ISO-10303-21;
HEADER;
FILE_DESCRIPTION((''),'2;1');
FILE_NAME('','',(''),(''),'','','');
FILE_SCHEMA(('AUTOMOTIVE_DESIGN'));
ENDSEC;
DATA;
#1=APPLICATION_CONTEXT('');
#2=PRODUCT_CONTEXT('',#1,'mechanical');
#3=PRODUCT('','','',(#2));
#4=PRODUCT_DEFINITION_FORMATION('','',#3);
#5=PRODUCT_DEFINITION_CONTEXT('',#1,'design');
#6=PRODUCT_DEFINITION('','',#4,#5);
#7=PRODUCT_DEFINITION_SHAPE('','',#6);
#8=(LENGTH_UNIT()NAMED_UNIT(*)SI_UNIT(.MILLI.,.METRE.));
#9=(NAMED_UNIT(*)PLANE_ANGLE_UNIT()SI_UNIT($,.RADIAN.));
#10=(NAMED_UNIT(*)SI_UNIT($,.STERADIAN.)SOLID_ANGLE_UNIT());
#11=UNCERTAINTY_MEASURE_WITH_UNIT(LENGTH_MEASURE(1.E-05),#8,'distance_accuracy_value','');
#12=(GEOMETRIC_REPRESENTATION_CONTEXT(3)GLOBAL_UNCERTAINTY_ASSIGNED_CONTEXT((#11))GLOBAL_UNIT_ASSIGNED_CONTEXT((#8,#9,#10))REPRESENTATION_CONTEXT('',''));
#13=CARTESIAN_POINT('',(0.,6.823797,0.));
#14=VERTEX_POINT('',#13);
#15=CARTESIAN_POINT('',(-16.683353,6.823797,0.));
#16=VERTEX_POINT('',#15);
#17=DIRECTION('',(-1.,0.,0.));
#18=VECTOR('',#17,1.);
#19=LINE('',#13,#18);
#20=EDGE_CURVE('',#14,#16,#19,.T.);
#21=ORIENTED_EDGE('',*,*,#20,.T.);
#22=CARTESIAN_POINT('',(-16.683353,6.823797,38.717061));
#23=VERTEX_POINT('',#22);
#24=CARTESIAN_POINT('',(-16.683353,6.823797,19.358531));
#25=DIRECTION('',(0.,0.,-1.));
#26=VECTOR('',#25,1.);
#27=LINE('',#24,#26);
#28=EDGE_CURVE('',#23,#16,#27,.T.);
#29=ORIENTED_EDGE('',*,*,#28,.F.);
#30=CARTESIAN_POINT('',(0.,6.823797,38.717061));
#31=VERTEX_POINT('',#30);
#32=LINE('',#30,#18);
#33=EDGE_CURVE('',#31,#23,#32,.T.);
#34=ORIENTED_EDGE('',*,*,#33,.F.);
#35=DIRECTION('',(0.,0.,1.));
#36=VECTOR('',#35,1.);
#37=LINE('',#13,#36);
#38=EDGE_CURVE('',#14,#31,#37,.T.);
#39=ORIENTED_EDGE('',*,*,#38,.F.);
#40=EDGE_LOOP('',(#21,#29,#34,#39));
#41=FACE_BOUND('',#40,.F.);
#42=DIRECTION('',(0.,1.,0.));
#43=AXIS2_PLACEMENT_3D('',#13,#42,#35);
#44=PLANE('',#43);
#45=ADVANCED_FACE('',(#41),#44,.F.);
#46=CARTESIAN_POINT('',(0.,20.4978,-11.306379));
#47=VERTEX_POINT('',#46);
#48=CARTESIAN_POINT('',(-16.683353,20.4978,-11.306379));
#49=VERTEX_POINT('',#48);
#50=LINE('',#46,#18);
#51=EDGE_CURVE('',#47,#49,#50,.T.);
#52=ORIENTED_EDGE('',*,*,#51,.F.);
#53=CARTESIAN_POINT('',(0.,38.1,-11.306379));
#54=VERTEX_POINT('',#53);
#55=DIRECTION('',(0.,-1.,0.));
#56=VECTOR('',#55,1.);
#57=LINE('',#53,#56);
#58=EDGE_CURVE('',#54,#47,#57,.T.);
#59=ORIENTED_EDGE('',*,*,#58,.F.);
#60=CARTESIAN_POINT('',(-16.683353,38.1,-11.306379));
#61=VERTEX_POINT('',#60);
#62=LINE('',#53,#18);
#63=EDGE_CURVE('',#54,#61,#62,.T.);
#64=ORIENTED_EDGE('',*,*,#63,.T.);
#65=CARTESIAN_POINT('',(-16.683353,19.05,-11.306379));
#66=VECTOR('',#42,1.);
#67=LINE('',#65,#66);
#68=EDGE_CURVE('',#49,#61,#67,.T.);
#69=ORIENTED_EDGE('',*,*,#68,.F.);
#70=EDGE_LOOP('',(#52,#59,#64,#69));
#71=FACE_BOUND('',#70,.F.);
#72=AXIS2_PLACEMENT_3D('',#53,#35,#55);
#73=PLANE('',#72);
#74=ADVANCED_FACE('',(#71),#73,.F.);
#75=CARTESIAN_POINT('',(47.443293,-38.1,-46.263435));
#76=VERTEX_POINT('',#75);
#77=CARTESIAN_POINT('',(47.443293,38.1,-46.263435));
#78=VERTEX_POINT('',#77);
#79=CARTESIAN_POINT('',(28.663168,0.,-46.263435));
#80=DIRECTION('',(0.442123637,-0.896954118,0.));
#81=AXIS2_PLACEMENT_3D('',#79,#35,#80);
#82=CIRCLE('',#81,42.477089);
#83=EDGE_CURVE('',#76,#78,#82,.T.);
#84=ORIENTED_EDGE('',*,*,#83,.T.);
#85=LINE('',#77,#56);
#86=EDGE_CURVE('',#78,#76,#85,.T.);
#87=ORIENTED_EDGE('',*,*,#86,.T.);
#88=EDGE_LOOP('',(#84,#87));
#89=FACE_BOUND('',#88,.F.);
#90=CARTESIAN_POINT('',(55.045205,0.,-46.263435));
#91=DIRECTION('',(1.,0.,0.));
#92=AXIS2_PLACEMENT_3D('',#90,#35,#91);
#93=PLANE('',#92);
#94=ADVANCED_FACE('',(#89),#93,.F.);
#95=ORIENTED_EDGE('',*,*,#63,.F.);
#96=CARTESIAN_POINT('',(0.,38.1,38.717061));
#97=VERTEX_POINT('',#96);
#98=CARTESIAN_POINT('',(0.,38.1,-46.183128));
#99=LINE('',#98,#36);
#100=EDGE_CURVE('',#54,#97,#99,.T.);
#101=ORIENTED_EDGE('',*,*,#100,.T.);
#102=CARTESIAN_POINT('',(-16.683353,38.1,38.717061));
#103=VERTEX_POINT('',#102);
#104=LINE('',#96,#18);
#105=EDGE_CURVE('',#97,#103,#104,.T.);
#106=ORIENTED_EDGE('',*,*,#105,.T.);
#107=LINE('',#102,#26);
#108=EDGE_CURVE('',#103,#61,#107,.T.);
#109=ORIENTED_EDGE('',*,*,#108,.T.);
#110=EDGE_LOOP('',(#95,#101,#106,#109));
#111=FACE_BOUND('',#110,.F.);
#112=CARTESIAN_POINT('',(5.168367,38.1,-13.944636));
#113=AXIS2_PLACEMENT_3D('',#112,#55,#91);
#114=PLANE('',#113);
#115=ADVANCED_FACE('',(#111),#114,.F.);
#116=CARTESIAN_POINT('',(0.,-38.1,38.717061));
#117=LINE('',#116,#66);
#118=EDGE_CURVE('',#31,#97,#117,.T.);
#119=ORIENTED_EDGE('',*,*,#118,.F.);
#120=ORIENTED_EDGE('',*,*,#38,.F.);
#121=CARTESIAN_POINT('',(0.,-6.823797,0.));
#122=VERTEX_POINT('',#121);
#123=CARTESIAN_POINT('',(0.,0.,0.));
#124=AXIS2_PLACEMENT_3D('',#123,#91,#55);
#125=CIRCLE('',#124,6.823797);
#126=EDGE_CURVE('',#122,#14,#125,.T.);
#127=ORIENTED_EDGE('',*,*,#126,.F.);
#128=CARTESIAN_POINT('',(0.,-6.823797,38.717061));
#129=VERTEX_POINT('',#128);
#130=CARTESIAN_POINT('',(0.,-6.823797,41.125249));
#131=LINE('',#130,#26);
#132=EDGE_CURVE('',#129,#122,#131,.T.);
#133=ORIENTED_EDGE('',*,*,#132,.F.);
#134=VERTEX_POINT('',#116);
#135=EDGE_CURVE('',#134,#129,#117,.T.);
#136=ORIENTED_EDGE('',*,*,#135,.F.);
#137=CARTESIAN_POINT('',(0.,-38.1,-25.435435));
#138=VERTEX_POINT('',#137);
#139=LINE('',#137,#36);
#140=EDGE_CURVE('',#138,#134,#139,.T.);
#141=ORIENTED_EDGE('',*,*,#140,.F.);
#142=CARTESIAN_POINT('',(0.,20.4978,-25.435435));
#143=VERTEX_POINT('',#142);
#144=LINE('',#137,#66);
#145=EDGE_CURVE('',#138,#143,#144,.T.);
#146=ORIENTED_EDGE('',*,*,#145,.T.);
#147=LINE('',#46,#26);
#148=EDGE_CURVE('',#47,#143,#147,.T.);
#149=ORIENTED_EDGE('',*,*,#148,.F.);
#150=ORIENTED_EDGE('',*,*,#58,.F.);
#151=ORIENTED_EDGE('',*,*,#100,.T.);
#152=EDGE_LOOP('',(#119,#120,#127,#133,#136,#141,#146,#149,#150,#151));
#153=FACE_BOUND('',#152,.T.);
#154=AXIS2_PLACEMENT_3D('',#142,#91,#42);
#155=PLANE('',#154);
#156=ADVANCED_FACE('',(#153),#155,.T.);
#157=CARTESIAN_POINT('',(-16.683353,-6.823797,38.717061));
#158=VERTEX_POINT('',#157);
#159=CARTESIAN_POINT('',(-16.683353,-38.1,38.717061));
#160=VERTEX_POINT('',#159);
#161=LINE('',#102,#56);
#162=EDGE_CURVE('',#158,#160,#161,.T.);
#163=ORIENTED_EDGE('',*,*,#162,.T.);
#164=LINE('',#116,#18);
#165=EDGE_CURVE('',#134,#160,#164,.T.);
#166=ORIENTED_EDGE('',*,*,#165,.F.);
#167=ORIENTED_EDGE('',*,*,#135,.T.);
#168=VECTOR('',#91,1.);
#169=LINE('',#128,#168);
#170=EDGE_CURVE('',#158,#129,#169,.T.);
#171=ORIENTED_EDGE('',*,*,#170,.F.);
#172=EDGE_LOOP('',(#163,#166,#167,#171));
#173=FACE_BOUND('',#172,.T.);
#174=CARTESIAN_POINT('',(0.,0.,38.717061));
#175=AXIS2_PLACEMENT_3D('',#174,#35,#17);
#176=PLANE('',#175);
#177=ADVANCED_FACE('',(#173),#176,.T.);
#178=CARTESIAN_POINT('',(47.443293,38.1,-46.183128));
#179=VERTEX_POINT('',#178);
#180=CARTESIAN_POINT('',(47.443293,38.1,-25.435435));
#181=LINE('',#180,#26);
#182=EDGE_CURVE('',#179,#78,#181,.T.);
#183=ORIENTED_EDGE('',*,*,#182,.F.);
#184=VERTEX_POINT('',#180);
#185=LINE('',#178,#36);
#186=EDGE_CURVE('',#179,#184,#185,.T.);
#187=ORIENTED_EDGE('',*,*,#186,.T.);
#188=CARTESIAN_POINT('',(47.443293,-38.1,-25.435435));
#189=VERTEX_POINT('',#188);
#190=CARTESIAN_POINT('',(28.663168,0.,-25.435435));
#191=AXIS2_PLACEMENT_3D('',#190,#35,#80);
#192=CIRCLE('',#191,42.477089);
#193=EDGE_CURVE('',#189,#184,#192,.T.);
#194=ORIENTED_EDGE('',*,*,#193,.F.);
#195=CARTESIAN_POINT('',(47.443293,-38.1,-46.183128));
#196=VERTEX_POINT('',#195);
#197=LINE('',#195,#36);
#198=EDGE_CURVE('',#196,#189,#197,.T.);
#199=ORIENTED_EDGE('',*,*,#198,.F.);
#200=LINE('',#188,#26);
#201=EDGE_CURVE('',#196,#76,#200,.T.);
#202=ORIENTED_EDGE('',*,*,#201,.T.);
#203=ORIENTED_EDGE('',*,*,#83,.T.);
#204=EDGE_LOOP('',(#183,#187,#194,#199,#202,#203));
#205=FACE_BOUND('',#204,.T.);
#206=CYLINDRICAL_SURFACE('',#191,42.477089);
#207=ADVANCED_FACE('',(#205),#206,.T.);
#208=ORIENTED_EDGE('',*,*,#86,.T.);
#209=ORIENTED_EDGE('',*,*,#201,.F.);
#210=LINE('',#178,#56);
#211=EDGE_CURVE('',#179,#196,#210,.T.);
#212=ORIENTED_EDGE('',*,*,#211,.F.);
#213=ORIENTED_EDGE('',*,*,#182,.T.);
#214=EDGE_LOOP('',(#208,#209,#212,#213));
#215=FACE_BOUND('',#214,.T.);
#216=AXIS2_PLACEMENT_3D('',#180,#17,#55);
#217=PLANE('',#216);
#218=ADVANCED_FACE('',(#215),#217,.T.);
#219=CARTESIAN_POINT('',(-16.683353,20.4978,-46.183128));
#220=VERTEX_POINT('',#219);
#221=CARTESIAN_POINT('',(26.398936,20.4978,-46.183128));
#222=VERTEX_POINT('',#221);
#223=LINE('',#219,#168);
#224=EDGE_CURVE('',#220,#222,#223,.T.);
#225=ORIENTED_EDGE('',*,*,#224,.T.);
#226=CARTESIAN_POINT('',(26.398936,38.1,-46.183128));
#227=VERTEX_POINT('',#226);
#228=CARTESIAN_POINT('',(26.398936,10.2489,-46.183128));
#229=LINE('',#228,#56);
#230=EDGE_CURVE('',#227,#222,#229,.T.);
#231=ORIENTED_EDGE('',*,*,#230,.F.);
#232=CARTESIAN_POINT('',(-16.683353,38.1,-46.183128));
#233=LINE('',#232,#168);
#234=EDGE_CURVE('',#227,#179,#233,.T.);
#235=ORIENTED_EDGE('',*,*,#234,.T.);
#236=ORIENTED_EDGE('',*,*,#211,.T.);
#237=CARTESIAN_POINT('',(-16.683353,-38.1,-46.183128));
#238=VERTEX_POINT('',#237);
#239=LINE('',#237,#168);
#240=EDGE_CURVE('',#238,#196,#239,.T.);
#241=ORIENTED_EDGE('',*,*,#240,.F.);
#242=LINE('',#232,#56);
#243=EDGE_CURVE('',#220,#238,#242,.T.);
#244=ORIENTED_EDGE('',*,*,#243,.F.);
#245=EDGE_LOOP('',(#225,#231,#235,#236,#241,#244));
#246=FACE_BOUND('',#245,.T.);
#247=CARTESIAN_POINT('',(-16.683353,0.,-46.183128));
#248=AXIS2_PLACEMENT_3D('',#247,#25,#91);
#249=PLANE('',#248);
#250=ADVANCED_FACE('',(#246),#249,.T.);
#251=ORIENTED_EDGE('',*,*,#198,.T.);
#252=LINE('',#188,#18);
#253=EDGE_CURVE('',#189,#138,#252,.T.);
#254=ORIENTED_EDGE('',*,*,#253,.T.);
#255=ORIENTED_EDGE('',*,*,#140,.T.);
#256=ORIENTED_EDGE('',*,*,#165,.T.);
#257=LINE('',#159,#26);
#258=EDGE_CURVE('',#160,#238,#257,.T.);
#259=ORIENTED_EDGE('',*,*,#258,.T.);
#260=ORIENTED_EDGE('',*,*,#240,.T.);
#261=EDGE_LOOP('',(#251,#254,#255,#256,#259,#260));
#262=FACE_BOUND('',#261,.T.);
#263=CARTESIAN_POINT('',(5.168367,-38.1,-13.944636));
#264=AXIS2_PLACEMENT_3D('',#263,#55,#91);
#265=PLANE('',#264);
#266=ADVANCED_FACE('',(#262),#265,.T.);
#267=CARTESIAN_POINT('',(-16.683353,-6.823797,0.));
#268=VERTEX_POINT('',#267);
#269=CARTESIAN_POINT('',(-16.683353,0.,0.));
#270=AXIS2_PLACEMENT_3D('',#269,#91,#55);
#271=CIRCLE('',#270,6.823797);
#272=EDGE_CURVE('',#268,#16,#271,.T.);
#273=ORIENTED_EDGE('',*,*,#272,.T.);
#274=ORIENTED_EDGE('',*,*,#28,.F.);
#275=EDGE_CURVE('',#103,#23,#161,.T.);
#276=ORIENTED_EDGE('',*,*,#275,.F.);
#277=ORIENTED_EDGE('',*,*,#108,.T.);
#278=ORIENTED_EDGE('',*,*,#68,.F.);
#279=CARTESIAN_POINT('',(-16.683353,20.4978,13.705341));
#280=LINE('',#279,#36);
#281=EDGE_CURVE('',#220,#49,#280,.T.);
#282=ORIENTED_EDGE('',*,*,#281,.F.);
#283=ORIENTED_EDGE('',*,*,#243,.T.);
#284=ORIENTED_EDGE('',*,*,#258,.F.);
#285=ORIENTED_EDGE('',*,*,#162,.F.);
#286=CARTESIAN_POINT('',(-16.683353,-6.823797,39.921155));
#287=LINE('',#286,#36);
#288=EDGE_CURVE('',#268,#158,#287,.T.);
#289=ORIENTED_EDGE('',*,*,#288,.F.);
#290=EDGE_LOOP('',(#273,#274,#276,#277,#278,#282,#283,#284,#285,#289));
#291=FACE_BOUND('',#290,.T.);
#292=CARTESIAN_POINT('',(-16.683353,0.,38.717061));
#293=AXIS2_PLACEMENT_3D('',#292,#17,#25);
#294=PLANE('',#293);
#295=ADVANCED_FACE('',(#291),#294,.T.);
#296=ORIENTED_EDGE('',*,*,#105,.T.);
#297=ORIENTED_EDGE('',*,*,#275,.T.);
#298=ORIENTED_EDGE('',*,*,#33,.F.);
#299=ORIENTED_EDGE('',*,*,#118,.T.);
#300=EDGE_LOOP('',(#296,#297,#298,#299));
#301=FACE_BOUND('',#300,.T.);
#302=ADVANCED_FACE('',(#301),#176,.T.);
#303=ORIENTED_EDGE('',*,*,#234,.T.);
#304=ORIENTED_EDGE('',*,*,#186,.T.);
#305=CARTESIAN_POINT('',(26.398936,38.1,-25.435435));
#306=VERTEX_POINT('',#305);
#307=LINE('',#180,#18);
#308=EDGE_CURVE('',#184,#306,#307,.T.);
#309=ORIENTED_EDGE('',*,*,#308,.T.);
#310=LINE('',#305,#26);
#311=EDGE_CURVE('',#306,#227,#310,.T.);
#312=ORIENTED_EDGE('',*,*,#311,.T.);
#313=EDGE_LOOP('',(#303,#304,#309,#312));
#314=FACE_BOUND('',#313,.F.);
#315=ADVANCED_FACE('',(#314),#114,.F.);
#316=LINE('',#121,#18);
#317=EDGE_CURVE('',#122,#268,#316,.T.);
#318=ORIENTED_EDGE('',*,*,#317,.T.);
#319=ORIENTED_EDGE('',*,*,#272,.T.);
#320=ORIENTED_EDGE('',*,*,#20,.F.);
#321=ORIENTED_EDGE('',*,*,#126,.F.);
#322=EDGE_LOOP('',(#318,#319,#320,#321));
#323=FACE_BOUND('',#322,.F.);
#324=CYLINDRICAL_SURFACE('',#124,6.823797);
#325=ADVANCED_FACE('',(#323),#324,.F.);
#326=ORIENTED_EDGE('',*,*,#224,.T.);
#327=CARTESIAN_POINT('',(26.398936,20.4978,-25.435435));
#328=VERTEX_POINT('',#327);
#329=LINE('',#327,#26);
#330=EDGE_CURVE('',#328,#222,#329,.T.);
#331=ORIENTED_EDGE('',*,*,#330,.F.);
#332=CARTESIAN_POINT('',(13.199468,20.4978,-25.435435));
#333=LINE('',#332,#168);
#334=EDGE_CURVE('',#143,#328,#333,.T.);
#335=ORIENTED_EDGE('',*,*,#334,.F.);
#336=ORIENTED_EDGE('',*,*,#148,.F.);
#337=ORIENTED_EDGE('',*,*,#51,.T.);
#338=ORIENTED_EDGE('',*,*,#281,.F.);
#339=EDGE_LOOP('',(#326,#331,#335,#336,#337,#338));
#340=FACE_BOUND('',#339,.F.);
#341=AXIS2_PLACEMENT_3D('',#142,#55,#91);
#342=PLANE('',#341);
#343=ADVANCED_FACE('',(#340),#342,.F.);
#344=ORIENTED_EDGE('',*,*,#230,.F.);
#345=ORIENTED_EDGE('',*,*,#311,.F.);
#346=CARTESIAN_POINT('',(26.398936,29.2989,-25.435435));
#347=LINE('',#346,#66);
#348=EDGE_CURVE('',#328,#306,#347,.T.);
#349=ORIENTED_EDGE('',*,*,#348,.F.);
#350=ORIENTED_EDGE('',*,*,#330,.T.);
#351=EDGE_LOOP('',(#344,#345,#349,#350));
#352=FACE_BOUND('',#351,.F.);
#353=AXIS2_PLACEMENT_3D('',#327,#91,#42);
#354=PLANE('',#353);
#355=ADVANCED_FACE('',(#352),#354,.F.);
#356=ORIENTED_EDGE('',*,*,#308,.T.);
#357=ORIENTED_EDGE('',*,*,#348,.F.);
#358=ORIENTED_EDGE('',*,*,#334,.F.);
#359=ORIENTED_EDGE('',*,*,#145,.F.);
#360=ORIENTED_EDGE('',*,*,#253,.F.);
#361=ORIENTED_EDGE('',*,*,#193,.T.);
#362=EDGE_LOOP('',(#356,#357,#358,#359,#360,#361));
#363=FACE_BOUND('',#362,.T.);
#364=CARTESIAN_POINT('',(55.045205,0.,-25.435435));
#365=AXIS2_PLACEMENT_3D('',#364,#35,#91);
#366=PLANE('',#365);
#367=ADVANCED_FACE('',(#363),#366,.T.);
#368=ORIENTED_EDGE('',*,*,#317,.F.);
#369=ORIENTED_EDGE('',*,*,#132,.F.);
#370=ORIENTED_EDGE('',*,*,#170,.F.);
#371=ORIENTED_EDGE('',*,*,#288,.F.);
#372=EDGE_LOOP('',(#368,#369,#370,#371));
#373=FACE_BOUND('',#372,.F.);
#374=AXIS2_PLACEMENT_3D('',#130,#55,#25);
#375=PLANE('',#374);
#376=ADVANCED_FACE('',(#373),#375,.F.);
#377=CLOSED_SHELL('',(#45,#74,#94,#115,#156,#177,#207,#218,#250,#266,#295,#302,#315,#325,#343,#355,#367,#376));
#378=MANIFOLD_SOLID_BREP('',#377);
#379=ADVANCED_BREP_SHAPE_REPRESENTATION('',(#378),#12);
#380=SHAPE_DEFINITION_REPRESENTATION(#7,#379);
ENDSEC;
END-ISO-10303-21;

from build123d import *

# Parameters (mm, degrees)
F1_DEPTH = 38.1
F3_DEPTH = 20.828
F4_W     = 13.647594
F4_H     = 2.408188
F5_DEPTH = 50.8
F6_W     = 26.398936
F6_H     = 17.6022
F7_DEPTH = 50.8
F9_DEPTH = 50.8


with BuildPart() as f1:
    # F0 (on Front) → F1 (new body, symmetric)
    with BuildSketch(Plane.XZ):
        Polygon((0, 38.717061), (-16.683353, 38.717061), (-16.683353, -46.183128), (47.443293, -46.183128), (47.443293, -25.435435), (0, -25.435435), align=None)
    extrude(amount=F1_DEPTH, both=True)

    # F2 (on face) → F3 (join)
    with BuildSketch(Plane.XY.offset(-25.435435)):
        with BuildLine():
            Line((47.443293, 38.1), (47.443293, -38.1))
            ThreePointArc((47.443293, -38.1), (71.140257, 0), (47.443293, 38.1))
        make_face()
    extrude(amount=-F3_DEPTH)

    # F4 (on face) → F5 (cut)
    with BuildSketch(Plane.YZ):
        with BuildLine():
            ThreePointArc((-6.823797, 0), (0, 6.823797), (6.823797, 0))
            Line((6.823797, 0), (6.823797, 38.717061))
            Line((6.823797, 38.717061), (-6.823797, 38.717061))
            Line((-6.823797, 38.717061), (-6.823797, 0))
        make_face()
        with Locations((0, 39.921155)):
            Rectangle(F4_W, F4_H)
        with BuildLine():
            Line((-6.823797, 0), (6.823797, 0))
            ThreePointArc((6.823797, 0), (0, 6.823797), (-6.823797, 0))
        make_face()
        with BuildLine():
            ThreePointArc((-6.823797, 0), (0, -6.823797), (6.823797, 0))
            Line((6.823797, 0), (-6.823797, 0))
        make_face()
    extrude(amount=-F5_DEPTH, mode=Mode.SUBTRACT)

    # F6 (on face) → F7 (cut)
    with BuildSketch(Plane.XY.offset(-25.435435)):
        with Locations((13.199468, 29.2989)):
            Rectangle(F6_W, F6_H)
    extrude(amount=-F7_DEPTH, mode=Mode.SUBTRACT)

    # F8 (on face) → F9 (cut)
    with BuildSketch(Plane.YZ):
        Polygon((20.4978, -11.306379), (20.4978, -25.435435), (20.4978, -46.183128), (38.1, -46.183128), (38.1, -11.306379), align=None)
    extrude(amount=-F9_DEPTH, mode=Mode.SUBTRACT)


solid = f1.part
